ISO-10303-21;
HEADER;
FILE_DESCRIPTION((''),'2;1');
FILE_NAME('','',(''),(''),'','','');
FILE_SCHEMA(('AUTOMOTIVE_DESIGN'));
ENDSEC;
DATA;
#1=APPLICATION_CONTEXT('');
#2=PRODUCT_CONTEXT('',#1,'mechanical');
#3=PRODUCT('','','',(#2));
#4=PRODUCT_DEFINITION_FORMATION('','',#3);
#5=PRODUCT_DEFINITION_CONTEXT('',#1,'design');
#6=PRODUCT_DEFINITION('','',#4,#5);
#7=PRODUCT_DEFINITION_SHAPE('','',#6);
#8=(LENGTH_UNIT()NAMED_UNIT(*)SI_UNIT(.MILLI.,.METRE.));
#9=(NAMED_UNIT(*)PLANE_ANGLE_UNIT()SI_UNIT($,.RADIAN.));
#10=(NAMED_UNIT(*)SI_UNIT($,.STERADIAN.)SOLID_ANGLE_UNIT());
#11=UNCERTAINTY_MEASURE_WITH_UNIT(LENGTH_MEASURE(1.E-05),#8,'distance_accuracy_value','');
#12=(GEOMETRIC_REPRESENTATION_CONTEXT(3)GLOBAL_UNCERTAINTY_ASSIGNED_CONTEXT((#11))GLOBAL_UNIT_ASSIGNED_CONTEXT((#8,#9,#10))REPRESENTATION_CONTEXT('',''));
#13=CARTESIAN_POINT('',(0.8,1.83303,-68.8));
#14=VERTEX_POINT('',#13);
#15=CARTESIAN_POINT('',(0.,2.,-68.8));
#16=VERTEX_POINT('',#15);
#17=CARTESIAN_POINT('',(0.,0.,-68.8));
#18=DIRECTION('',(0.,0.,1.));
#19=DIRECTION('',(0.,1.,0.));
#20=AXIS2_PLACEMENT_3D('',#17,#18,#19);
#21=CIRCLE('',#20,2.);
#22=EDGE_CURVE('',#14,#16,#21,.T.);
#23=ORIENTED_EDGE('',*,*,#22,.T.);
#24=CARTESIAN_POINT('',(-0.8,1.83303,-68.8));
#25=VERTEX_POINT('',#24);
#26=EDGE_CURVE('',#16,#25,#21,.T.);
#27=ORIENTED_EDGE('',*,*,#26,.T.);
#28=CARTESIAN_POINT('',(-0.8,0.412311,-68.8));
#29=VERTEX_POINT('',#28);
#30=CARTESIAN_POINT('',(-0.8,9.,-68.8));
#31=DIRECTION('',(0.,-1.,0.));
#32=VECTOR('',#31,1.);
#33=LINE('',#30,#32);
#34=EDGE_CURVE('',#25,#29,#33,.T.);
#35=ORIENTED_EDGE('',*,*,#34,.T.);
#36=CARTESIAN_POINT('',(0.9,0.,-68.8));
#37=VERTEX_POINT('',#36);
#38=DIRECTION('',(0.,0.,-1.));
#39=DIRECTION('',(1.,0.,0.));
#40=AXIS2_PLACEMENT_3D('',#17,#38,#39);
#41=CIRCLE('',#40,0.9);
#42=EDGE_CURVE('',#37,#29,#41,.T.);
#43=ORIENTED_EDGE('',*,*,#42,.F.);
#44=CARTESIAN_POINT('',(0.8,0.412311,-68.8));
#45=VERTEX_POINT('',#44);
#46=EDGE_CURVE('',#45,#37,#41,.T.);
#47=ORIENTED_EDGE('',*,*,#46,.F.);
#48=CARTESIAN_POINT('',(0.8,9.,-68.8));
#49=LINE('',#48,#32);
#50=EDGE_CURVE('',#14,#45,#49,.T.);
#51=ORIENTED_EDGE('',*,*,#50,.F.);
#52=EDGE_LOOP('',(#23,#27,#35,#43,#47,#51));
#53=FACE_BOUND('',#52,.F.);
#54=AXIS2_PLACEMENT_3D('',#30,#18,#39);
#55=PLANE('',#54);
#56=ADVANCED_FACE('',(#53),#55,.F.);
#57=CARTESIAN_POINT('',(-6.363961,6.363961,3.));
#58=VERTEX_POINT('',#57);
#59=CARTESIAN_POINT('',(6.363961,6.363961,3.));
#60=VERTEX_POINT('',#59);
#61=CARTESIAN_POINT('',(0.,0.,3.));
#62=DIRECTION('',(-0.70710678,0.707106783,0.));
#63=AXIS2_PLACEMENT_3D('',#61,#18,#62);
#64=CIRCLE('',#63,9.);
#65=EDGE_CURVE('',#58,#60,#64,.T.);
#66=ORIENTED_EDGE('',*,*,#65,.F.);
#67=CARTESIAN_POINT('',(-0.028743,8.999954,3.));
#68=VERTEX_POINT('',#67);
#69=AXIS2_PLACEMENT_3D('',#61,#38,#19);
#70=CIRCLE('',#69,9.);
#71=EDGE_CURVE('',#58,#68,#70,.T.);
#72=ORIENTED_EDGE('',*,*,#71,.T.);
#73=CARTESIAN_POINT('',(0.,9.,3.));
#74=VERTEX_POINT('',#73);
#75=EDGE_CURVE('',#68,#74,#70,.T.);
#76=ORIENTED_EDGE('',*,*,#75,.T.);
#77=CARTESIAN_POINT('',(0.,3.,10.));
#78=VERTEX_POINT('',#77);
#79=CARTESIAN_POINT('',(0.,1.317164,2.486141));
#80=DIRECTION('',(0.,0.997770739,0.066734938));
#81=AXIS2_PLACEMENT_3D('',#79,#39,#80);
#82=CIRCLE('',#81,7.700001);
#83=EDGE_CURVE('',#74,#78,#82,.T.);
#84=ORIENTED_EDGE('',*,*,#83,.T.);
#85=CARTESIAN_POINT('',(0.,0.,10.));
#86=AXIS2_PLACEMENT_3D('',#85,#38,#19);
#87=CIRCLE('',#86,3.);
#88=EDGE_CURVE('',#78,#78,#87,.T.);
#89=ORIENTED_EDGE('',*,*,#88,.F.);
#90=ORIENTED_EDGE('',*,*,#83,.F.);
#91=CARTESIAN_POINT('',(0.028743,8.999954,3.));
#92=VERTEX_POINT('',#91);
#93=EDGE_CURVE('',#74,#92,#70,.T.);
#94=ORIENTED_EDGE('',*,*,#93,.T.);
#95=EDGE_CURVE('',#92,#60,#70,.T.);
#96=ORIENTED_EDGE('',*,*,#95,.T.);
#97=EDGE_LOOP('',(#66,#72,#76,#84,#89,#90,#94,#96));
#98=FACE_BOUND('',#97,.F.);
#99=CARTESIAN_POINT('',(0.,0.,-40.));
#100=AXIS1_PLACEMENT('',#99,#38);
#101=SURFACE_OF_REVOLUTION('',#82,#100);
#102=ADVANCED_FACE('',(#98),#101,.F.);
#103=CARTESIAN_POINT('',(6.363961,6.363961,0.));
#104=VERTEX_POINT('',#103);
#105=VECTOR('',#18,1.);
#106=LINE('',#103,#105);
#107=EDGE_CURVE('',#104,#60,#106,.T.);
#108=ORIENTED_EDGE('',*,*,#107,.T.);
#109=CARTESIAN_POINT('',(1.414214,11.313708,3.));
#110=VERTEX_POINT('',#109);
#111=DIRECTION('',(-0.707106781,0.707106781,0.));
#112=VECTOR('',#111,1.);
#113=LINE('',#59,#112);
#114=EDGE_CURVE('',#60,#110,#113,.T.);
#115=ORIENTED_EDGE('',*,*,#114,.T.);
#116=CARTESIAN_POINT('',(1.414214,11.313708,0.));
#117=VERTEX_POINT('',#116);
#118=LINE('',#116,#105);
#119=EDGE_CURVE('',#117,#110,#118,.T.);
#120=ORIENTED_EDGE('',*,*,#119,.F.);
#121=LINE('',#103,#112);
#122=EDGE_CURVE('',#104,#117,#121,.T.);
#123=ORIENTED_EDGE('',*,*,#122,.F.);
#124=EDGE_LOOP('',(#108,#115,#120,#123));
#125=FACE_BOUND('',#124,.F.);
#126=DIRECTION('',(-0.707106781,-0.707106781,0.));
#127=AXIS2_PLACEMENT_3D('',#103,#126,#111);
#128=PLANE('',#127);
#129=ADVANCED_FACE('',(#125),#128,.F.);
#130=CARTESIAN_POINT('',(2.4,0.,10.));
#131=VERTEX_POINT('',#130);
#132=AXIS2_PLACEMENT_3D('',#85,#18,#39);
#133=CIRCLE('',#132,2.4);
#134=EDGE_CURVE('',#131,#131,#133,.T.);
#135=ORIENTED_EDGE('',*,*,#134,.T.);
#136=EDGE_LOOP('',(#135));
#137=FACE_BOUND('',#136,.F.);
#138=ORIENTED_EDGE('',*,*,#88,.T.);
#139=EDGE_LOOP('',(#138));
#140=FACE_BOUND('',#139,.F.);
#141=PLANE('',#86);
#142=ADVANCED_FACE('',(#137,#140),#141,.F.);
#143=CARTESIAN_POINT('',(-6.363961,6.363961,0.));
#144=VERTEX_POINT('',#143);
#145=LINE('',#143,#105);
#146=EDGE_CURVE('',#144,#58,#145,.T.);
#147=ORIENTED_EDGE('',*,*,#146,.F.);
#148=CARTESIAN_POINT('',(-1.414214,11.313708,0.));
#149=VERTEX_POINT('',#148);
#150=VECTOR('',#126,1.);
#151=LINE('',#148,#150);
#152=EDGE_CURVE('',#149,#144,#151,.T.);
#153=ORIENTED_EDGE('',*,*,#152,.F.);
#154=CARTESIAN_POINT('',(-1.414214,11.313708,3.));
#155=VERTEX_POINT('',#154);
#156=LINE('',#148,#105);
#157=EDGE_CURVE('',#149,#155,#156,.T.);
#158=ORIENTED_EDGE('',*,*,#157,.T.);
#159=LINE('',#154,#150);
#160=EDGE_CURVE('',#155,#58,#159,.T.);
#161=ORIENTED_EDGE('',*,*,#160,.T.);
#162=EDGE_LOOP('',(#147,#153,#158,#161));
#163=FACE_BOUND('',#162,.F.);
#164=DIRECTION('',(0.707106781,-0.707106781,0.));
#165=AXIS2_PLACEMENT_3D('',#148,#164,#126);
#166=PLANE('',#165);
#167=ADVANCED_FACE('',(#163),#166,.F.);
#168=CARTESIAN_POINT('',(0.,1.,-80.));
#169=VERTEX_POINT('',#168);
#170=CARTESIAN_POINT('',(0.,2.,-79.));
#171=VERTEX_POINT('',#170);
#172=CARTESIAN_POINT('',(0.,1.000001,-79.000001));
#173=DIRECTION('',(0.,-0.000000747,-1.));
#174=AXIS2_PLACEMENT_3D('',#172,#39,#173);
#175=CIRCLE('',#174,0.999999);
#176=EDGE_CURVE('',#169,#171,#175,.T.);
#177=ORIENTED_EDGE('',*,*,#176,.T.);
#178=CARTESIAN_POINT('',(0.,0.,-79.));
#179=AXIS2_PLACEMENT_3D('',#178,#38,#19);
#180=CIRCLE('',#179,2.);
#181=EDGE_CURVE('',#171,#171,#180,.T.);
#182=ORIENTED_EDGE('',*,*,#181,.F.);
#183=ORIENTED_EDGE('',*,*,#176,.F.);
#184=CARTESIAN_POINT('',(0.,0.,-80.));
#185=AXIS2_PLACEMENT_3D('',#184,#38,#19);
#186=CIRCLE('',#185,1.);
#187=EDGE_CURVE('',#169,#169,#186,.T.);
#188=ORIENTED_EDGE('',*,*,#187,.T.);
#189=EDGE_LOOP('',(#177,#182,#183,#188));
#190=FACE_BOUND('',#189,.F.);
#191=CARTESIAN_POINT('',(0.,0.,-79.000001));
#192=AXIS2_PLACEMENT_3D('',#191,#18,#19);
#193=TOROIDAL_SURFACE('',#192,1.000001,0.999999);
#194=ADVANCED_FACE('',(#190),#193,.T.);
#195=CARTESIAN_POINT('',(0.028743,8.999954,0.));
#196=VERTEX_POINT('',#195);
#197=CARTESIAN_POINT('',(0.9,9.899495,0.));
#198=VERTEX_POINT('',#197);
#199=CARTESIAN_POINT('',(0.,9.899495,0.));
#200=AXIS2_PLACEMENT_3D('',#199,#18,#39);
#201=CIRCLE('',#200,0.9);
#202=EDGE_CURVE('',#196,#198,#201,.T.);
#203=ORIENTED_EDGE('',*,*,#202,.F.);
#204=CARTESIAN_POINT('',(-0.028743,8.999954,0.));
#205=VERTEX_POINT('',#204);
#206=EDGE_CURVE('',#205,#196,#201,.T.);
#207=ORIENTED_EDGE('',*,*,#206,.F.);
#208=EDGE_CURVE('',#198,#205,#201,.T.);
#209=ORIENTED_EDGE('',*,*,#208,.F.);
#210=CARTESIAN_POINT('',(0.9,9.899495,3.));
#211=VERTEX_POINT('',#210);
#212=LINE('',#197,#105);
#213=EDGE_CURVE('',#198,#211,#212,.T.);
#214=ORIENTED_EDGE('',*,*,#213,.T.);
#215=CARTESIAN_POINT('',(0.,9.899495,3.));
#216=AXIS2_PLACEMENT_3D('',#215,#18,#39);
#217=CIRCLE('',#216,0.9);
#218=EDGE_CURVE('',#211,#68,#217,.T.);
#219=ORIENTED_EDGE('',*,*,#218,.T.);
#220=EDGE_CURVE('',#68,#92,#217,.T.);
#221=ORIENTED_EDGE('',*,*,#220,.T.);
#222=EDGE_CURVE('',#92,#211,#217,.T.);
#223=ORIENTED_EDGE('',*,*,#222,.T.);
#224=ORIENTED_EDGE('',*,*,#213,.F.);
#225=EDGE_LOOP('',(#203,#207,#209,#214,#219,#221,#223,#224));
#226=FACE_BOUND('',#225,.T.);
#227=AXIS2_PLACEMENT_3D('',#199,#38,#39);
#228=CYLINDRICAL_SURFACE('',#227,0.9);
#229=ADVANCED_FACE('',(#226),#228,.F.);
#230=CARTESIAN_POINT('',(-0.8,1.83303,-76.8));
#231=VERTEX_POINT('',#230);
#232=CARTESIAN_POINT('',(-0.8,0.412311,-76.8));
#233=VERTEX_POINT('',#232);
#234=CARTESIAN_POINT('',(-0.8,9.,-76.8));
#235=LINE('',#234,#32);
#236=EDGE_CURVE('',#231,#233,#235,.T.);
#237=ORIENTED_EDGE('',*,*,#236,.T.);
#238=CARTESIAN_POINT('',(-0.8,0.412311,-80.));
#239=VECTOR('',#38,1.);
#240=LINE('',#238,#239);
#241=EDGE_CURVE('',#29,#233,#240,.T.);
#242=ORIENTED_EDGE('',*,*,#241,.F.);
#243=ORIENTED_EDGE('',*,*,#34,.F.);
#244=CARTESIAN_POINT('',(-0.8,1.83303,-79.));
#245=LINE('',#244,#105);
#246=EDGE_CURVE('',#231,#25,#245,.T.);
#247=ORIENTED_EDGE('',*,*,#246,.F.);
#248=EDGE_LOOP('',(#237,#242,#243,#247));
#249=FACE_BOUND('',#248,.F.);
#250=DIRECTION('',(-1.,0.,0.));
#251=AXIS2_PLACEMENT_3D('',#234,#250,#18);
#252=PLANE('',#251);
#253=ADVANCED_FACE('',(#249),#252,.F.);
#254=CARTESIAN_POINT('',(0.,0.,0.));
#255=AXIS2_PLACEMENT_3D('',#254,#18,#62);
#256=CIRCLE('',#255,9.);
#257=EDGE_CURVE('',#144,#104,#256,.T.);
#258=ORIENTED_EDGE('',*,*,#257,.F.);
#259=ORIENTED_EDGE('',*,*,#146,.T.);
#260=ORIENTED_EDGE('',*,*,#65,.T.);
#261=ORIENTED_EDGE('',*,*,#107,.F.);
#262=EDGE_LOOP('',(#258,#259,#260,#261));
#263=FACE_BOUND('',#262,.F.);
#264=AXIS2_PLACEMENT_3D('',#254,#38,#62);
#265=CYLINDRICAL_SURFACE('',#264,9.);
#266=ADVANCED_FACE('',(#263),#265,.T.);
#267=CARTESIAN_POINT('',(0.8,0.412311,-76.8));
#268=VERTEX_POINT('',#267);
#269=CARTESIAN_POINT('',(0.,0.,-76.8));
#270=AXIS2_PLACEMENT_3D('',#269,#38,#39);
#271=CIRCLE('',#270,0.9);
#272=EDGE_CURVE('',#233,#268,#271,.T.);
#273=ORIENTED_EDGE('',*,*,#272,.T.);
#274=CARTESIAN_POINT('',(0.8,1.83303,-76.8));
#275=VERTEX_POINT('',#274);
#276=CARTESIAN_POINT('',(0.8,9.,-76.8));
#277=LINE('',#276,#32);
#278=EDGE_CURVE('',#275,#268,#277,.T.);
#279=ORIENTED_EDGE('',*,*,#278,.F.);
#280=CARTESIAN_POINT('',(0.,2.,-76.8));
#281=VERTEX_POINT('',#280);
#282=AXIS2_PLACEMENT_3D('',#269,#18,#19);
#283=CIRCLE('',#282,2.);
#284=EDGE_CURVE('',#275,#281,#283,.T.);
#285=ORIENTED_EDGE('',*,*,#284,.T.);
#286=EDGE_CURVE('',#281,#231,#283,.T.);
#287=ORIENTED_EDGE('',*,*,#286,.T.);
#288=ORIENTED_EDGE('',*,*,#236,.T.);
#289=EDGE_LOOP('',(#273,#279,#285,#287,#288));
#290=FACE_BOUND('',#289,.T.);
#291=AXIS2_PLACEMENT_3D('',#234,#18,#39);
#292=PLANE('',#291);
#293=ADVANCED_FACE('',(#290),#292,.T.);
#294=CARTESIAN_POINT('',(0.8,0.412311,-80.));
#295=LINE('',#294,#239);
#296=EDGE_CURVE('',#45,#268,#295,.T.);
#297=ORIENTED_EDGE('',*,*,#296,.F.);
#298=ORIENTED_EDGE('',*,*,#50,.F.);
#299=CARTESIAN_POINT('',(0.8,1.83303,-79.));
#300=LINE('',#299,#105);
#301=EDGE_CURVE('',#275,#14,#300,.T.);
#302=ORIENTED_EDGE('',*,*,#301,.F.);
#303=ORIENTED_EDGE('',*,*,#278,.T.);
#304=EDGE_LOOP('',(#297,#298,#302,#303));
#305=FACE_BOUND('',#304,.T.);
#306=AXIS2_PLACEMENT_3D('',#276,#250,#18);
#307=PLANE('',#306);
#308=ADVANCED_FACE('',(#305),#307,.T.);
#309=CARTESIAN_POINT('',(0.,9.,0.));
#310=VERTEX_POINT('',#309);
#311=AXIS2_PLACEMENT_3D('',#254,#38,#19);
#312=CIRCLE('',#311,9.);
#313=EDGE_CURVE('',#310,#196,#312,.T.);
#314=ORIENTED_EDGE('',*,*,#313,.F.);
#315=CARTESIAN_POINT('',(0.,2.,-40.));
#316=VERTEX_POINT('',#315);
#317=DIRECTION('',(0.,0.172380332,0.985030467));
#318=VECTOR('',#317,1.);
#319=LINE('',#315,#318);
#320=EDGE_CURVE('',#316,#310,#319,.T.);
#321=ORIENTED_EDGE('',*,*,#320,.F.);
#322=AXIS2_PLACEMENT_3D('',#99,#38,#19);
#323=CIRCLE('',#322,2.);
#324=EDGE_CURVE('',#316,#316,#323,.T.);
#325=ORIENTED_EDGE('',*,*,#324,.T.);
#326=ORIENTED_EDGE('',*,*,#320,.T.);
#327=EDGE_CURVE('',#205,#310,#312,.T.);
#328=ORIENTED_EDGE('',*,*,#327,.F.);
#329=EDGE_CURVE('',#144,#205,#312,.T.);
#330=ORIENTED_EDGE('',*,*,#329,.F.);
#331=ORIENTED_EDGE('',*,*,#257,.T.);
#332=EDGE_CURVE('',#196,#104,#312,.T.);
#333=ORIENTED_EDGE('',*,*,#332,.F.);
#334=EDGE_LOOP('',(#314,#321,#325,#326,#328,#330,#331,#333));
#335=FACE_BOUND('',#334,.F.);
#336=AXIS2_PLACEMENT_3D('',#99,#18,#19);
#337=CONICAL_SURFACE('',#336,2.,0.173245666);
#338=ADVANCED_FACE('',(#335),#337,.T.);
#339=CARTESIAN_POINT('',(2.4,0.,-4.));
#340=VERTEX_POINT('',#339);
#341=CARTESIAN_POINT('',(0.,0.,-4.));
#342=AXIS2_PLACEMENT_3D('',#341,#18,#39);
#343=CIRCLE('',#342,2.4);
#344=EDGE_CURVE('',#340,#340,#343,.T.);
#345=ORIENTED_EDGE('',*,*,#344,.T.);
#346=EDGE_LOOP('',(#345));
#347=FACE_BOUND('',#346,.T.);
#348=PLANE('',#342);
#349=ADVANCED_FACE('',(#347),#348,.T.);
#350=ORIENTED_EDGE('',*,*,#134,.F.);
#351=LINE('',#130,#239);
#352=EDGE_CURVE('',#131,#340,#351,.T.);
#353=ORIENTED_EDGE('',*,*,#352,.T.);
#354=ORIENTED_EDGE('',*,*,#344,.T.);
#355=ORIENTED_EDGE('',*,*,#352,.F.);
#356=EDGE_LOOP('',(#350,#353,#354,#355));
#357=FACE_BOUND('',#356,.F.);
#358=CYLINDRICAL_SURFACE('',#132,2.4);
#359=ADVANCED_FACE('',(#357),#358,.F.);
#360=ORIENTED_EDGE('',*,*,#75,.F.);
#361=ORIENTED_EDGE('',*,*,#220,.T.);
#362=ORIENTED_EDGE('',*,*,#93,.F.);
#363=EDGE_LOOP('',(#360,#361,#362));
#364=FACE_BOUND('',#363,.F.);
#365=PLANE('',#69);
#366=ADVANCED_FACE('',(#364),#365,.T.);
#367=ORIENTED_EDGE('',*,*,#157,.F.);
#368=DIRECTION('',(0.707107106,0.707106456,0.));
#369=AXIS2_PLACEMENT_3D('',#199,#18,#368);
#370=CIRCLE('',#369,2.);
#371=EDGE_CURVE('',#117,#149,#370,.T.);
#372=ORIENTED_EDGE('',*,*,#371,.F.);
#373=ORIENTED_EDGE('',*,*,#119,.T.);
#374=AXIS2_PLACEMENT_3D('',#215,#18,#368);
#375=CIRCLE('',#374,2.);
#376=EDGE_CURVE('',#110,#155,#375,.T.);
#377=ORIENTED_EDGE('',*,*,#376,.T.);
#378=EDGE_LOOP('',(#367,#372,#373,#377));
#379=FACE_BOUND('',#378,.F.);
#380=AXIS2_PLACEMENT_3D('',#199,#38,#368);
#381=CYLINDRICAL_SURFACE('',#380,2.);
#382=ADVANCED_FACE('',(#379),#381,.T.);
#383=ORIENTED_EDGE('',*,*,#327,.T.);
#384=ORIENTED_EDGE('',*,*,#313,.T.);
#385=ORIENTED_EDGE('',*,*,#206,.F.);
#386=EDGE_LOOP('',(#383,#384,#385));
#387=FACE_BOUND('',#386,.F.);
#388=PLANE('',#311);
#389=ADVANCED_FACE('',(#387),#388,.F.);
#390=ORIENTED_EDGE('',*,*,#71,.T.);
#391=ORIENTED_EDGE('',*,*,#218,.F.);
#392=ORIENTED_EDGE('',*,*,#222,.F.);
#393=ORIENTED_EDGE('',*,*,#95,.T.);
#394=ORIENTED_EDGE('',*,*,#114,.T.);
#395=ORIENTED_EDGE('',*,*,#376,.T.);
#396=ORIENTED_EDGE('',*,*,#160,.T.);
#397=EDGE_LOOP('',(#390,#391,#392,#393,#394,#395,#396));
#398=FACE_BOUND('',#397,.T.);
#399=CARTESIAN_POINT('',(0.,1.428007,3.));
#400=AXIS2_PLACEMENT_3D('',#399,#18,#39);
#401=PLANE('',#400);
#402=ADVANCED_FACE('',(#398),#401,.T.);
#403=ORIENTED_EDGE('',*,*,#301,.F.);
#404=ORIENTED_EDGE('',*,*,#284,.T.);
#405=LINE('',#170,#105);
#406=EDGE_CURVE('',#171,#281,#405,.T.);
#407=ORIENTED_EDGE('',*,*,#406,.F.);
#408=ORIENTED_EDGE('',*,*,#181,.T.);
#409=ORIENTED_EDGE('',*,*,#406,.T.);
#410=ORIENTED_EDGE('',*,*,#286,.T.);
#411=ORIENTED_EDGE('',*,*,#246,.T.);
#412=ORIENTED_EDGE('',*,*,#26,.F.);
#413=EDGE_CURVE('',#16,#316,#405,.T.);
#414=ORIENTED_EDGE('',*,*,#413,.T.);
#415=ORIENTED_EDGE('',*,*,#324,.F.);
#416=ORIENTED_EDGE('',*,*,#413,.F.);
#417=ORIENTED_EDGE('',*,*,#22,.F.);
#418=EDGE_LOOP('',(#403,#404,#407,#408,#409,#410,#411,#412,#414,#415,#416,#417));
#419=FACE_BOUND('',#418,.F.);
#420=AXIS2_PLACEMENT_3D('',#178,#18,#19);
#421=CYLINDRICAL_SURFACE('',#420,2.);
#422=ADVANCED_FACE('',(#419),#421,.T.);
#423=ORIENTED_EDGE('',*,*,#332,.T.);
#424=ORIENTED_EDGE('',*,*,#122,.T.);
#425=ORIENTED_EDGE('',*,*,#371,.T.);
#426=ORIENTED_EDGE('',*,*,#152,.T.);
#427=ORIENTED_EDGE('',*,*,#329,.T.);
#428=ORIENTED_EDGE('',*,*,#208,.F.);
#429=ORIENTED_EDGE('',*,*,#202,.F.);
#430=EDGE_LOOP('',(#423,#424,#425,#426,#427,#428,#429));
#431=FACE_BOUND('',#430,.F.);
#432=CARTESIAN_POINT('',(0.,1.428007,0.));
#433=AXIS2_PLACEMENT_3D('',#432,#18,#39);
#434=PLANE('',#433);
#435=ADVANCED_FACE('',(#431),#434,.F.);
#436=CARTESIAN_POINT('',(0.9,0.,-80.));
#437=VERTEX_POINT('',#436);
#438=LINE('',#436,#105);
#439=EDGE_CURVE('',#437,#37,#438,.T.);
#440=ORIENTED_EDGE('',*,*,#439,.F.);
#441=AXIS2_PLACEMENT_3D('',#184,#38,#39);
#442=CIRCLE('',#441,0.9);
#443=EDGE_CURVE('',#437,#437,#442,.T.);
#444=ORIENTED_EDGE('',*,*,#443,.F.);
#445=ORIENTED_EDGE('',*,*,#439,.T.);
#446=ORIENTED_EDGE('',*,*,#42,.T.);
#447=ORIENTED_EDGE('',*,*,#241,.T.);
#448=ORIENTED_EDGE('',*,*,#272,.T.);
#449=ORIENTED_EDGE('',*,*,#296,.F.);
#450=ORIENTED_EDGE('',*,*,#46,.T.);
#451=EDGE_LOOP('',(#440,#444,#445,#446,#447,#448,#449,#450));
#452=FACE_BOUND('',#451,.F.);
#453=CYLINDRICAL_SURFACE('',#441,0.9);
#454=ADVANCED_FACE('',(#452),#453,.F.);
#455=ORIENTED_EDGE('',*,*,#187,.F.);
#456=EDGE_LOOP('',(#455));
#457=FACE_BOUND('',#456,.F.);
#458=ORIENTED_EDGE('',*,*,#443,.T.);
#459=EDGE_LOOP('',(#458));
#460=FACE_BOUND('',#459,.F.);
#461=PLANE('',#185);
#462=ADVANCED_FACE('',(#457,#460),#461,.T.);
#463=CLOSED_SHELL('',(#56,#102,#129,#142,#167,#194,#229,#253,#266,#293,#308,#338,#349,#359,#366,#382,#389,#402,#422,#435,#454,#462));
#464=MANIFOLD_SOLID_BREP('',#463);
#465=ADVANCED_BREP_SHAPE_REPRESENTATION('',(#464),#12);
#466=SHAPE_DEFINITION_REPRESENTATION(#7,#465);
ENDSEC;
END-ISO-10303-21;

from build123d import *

# Parameters (mm, degrees)
F0_R      = 0.9
F1_DEPTH  = 3
F5_W      = 1.6
F5_H      = 8
F6_DEPTH  = 9
F7_R      = 0.9
F8_DEPTH  = 11.2
F9_R      = 2.4
F10_DEPTH = 14


with BuildPart() as f1:
    # F0 (on Top) → F1 (new body)
    with BuildSketch(Plane.XY):
        with BuildLine():
            Line((-1.414214, 11.313708), (-6.363961, 6.363961))
            ThreePointArc((-6.363961, 6.363961), (0, -9), (6.363961, 6.363961))
            Line((6.363961, 6.363961), (1.414214, 11.313708))
            ThreePointArc((1.414214, 11.313708), (0, 11.899495), (-1.414214, 11.313708))
        make_face()
        with Locations((0, 9.899495)):
            Circle(F0_R, mode=Mode.SUBTRACT)
    extrude(amount=F1_DEPTH)

    # F2 (on Right) → F3 (revolve)
    with BuildSketch(Plane.YZ):
        with BuildLine():
            Line((0, 10), (0, 3))
            Line((0, 3), (9, 3))
            ThreePointArc((9, 3), (7.163441, 7.497235), (3, 10))
            Line((3, 10), (0, 10))
        make_face()
        with BuildLine():
            Line((9, 0), (0, 0))
            Line((0, 0), (0, -80))
            Line((0, -80), (1, -80))
            ThreePointArc((1, -80), (1.707107, -79.707107), (2, -79))
            Line((2, -79), (2, -40))
            Line((2, -40), (9, 0))
        make_face()
    revolve(axis=Axis((0, 0, -40), (0, 0, -1)))

    # F5 (on offset) → F6 (cut)
    with BuildSketch(Plane.XZ.offset(-9)):
        with Locations((0, -72.8)):
            Rectangle(F5_W, F5_H)
    extrude(amount=F6_DEPTH, mode=Mode.SUBTRACT)

    # F7 (on face) → F8 (cut)
    with BuildSketch(Plane(origin=(0, 0, -80), x_dir=(1, 0, 0), z_dir=(0, 0, -1))):
        Circle(F7_R)
    extrude(amount=-F8_DEPTH, mode=Mode.SUBTRACT)

    # F9 (on face) → F10 (cut)
    with BuildSketch(Plane.XY.offset(10)):
        Circle(F9_R)
    extrude(amount=-F10_DEPTH, mode=Mode.SUBTRACT)


solid = f1.part
